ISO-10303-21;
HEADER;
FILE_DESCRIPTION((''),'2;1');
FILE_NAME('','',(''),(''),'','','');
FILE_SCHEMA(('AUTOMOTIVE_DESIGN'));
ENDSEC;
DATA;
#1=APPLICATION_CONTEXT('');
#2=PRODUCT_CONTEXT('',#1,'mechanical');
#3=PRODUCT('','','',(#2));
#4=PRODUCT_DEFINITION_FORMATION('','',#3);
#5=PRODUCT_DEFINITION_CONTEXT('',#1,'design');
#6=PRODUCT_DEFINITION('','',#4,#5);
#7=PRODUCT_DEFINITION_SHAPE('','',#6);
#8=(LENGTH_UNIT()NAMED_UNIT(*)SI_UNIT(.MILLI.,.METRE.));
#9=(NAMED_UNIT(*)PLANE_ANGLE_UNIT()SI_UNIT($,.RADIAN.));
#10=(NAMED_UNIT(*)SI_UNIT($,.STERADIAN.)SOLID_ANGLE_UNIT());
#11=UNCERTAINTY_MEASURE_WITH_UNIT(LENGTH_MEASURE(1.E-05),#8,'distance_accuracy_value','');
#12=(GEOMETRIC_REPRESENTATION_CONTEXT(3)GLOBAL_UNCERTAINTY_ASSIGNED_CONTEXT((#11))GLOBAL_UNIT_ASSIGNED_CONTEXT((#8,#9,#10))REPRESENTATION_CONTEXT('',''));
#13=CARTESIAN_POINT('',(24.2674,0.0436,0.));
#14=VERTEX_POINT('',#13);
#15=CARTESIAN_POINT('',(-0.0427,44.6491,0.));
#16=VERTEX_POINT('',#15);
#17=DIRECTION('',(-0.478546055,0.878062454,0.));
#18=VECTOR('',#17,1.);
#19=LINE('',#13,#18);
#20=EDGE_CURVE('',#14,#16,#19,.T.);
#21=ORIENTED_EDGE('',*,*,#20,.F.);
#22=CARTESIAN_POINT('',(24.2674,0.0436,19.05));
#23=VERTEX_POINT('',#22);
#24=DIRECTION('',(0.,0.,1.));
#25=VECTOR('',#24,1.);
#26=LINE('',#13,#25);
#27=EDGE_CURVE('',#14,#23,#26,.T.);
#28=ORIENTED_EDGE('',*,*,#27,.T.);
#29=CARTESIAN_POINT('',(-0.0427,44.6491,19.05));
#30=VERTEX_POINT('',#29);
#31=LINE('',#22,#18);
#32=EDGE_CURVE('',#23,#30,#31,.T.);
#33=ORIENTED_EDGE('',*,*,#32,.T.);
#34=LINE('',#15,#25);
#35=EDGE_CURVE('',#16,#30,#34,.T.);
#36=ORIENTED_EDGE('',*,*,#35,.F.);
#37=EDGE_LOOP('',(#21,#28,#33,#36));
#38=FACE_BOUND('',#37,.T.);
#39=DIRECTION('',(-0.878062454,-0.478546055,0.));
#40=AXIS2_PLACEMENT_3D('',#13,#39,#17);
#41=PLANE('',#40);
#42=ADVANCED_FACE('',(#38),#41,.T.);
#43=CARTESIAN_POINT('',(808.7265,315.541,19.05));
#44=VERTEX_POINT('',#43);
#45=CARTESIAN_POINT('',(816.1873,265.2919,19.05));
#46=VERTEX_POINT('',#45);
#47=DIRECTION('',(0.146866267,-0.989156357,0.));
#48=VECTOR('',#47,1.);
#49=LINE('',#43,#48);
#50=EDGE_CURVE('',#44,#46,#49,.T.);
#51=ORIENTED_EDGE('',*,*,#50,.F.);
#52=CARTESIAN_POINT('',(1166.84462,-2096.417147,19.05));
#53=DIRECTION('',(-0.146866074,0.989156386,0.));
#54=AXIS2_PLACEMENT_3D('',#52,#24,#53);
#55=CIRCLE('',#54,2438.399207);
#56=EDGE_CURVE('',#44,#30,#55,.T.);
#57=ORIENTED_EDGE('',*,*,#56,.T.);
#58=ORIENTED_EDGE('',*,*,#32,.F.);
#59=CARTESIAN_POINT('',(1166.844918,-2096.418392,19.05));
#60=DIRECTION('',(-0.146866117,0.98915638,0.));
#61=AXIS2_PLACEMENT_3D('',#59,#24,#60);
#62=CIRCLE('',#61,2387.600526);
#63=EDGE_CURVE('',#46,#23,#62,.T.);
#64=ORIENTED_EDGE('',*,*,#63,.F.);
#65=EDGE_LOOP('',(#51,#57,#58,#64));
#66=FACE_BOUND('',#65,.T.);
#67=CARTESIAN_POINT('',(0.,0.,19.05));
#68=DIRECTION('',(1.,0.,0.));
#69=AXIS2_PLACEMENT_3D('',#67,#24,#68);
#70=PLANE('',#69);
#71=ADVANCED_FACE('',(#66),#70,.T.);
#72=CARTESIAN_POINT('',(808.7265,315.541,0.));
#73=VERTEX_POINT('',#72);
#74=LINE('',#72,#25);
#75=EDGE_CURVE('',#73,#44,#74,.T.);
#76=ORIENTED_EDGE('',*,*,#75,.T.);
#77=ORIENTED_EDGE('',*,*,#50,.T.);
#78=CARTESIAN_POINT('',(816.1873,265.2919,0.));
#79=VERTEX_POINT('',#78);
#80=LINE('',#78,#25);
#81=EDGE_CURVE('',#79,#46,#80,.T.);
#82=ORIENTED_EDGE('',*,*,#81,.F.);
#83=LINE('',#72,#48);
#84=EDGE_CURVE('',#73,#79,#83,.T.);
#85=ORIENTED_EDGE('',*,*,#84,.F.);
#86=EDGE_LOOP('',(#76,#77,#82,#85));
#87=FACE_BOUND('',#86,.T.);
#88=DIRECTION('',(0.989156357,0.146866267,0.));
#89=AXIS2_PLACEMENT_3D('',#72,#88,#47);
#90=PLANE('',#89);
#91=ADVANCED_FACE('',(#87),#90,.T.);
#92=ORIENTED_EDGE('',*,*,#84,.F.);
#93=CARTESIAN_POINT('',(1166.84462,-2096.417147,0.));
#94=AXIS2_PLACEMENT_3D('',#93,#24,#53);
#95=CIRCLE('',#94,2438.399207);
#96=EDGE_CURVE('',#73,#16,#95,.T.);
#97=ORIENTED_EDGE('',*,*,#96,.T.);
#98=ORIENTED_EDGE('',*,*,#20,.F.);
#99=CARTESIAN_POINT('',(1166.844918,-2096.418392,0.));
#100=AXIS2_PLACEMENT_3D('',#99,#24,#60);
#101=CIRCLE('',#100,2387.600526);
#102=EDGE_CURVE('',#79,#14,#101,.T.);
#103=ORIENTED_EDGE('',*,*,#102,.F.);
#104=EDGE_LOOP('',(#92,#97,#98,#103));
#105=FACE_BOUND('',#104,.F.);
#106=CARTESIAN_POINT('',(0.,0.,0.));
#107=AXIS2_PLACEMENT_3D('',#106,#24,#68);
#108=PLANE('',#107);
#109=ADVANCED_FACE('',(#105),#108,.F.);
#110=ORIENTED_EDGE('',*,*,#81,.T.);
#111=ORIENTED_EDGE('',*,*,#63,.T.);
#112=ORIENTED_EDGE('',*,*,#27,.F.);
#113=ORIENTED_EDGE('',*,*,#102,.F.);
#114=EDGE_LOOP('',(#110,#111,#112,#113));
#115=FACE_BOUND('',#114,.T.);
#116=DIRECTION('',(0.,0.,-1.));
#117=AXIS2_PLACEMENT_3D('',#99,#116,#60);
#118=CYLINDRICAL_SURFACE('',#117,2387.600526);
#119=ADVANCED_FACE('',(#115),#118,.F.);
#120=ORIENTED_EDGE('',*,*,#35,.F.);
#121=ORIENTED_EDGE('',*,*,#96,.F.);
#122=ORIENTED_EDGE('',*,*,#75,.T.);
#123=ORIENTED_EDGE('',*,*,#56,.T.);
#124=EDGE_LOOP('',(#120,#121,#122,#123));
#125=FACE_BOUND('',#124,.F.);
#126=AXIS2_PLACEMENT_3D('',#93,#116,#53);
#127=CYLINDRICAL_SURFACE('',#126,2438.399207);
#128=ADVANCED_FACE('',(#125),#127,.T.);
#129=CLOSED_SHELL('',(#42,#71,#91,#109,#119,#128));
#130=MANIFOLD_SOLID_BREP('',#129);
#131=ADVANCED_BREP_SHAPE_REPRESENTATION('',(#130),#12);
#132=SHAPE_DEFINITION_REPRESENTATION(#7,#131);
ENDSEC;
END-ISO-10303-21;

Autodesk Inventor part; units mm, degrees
ref_plane "YZ Plane" through (0, 0, 0) normal (1, 0, 0) x (0, 1, 0)
ref_plane "XZ Plane" through (0, 0, 0) normal (0, 1, 0) x (-1, 0, 0)
ref_plane "XY Plane" through (0, 0, 0) normal (0, 0, 1) x (1, 0, 0)
sketch "Sketch1" plane through (0, 0, 0) normal (0, 0, 1) x (1, 0, 0)
  line L0 (808.7265, 315.541) -> (816.1873, 265.2919)
  arc A0 (816.1873, 265.2919) -> (24.2674, 0.0436) centre (1166.8448, -2096.4179) ccw
  line L1 (24.2674, 0.0436) -> (-0.0427, 44.6491)
  arc A1 (808.7265, 315.541) -> (-0.0427, 44.6491) centre (1166.8448, -2096.4179) ccw
  point P0 (0, 0)
extrude "Extrusion1" add sketch "Sketch1" along normal blind 19.05
properties part number "nd-h"
